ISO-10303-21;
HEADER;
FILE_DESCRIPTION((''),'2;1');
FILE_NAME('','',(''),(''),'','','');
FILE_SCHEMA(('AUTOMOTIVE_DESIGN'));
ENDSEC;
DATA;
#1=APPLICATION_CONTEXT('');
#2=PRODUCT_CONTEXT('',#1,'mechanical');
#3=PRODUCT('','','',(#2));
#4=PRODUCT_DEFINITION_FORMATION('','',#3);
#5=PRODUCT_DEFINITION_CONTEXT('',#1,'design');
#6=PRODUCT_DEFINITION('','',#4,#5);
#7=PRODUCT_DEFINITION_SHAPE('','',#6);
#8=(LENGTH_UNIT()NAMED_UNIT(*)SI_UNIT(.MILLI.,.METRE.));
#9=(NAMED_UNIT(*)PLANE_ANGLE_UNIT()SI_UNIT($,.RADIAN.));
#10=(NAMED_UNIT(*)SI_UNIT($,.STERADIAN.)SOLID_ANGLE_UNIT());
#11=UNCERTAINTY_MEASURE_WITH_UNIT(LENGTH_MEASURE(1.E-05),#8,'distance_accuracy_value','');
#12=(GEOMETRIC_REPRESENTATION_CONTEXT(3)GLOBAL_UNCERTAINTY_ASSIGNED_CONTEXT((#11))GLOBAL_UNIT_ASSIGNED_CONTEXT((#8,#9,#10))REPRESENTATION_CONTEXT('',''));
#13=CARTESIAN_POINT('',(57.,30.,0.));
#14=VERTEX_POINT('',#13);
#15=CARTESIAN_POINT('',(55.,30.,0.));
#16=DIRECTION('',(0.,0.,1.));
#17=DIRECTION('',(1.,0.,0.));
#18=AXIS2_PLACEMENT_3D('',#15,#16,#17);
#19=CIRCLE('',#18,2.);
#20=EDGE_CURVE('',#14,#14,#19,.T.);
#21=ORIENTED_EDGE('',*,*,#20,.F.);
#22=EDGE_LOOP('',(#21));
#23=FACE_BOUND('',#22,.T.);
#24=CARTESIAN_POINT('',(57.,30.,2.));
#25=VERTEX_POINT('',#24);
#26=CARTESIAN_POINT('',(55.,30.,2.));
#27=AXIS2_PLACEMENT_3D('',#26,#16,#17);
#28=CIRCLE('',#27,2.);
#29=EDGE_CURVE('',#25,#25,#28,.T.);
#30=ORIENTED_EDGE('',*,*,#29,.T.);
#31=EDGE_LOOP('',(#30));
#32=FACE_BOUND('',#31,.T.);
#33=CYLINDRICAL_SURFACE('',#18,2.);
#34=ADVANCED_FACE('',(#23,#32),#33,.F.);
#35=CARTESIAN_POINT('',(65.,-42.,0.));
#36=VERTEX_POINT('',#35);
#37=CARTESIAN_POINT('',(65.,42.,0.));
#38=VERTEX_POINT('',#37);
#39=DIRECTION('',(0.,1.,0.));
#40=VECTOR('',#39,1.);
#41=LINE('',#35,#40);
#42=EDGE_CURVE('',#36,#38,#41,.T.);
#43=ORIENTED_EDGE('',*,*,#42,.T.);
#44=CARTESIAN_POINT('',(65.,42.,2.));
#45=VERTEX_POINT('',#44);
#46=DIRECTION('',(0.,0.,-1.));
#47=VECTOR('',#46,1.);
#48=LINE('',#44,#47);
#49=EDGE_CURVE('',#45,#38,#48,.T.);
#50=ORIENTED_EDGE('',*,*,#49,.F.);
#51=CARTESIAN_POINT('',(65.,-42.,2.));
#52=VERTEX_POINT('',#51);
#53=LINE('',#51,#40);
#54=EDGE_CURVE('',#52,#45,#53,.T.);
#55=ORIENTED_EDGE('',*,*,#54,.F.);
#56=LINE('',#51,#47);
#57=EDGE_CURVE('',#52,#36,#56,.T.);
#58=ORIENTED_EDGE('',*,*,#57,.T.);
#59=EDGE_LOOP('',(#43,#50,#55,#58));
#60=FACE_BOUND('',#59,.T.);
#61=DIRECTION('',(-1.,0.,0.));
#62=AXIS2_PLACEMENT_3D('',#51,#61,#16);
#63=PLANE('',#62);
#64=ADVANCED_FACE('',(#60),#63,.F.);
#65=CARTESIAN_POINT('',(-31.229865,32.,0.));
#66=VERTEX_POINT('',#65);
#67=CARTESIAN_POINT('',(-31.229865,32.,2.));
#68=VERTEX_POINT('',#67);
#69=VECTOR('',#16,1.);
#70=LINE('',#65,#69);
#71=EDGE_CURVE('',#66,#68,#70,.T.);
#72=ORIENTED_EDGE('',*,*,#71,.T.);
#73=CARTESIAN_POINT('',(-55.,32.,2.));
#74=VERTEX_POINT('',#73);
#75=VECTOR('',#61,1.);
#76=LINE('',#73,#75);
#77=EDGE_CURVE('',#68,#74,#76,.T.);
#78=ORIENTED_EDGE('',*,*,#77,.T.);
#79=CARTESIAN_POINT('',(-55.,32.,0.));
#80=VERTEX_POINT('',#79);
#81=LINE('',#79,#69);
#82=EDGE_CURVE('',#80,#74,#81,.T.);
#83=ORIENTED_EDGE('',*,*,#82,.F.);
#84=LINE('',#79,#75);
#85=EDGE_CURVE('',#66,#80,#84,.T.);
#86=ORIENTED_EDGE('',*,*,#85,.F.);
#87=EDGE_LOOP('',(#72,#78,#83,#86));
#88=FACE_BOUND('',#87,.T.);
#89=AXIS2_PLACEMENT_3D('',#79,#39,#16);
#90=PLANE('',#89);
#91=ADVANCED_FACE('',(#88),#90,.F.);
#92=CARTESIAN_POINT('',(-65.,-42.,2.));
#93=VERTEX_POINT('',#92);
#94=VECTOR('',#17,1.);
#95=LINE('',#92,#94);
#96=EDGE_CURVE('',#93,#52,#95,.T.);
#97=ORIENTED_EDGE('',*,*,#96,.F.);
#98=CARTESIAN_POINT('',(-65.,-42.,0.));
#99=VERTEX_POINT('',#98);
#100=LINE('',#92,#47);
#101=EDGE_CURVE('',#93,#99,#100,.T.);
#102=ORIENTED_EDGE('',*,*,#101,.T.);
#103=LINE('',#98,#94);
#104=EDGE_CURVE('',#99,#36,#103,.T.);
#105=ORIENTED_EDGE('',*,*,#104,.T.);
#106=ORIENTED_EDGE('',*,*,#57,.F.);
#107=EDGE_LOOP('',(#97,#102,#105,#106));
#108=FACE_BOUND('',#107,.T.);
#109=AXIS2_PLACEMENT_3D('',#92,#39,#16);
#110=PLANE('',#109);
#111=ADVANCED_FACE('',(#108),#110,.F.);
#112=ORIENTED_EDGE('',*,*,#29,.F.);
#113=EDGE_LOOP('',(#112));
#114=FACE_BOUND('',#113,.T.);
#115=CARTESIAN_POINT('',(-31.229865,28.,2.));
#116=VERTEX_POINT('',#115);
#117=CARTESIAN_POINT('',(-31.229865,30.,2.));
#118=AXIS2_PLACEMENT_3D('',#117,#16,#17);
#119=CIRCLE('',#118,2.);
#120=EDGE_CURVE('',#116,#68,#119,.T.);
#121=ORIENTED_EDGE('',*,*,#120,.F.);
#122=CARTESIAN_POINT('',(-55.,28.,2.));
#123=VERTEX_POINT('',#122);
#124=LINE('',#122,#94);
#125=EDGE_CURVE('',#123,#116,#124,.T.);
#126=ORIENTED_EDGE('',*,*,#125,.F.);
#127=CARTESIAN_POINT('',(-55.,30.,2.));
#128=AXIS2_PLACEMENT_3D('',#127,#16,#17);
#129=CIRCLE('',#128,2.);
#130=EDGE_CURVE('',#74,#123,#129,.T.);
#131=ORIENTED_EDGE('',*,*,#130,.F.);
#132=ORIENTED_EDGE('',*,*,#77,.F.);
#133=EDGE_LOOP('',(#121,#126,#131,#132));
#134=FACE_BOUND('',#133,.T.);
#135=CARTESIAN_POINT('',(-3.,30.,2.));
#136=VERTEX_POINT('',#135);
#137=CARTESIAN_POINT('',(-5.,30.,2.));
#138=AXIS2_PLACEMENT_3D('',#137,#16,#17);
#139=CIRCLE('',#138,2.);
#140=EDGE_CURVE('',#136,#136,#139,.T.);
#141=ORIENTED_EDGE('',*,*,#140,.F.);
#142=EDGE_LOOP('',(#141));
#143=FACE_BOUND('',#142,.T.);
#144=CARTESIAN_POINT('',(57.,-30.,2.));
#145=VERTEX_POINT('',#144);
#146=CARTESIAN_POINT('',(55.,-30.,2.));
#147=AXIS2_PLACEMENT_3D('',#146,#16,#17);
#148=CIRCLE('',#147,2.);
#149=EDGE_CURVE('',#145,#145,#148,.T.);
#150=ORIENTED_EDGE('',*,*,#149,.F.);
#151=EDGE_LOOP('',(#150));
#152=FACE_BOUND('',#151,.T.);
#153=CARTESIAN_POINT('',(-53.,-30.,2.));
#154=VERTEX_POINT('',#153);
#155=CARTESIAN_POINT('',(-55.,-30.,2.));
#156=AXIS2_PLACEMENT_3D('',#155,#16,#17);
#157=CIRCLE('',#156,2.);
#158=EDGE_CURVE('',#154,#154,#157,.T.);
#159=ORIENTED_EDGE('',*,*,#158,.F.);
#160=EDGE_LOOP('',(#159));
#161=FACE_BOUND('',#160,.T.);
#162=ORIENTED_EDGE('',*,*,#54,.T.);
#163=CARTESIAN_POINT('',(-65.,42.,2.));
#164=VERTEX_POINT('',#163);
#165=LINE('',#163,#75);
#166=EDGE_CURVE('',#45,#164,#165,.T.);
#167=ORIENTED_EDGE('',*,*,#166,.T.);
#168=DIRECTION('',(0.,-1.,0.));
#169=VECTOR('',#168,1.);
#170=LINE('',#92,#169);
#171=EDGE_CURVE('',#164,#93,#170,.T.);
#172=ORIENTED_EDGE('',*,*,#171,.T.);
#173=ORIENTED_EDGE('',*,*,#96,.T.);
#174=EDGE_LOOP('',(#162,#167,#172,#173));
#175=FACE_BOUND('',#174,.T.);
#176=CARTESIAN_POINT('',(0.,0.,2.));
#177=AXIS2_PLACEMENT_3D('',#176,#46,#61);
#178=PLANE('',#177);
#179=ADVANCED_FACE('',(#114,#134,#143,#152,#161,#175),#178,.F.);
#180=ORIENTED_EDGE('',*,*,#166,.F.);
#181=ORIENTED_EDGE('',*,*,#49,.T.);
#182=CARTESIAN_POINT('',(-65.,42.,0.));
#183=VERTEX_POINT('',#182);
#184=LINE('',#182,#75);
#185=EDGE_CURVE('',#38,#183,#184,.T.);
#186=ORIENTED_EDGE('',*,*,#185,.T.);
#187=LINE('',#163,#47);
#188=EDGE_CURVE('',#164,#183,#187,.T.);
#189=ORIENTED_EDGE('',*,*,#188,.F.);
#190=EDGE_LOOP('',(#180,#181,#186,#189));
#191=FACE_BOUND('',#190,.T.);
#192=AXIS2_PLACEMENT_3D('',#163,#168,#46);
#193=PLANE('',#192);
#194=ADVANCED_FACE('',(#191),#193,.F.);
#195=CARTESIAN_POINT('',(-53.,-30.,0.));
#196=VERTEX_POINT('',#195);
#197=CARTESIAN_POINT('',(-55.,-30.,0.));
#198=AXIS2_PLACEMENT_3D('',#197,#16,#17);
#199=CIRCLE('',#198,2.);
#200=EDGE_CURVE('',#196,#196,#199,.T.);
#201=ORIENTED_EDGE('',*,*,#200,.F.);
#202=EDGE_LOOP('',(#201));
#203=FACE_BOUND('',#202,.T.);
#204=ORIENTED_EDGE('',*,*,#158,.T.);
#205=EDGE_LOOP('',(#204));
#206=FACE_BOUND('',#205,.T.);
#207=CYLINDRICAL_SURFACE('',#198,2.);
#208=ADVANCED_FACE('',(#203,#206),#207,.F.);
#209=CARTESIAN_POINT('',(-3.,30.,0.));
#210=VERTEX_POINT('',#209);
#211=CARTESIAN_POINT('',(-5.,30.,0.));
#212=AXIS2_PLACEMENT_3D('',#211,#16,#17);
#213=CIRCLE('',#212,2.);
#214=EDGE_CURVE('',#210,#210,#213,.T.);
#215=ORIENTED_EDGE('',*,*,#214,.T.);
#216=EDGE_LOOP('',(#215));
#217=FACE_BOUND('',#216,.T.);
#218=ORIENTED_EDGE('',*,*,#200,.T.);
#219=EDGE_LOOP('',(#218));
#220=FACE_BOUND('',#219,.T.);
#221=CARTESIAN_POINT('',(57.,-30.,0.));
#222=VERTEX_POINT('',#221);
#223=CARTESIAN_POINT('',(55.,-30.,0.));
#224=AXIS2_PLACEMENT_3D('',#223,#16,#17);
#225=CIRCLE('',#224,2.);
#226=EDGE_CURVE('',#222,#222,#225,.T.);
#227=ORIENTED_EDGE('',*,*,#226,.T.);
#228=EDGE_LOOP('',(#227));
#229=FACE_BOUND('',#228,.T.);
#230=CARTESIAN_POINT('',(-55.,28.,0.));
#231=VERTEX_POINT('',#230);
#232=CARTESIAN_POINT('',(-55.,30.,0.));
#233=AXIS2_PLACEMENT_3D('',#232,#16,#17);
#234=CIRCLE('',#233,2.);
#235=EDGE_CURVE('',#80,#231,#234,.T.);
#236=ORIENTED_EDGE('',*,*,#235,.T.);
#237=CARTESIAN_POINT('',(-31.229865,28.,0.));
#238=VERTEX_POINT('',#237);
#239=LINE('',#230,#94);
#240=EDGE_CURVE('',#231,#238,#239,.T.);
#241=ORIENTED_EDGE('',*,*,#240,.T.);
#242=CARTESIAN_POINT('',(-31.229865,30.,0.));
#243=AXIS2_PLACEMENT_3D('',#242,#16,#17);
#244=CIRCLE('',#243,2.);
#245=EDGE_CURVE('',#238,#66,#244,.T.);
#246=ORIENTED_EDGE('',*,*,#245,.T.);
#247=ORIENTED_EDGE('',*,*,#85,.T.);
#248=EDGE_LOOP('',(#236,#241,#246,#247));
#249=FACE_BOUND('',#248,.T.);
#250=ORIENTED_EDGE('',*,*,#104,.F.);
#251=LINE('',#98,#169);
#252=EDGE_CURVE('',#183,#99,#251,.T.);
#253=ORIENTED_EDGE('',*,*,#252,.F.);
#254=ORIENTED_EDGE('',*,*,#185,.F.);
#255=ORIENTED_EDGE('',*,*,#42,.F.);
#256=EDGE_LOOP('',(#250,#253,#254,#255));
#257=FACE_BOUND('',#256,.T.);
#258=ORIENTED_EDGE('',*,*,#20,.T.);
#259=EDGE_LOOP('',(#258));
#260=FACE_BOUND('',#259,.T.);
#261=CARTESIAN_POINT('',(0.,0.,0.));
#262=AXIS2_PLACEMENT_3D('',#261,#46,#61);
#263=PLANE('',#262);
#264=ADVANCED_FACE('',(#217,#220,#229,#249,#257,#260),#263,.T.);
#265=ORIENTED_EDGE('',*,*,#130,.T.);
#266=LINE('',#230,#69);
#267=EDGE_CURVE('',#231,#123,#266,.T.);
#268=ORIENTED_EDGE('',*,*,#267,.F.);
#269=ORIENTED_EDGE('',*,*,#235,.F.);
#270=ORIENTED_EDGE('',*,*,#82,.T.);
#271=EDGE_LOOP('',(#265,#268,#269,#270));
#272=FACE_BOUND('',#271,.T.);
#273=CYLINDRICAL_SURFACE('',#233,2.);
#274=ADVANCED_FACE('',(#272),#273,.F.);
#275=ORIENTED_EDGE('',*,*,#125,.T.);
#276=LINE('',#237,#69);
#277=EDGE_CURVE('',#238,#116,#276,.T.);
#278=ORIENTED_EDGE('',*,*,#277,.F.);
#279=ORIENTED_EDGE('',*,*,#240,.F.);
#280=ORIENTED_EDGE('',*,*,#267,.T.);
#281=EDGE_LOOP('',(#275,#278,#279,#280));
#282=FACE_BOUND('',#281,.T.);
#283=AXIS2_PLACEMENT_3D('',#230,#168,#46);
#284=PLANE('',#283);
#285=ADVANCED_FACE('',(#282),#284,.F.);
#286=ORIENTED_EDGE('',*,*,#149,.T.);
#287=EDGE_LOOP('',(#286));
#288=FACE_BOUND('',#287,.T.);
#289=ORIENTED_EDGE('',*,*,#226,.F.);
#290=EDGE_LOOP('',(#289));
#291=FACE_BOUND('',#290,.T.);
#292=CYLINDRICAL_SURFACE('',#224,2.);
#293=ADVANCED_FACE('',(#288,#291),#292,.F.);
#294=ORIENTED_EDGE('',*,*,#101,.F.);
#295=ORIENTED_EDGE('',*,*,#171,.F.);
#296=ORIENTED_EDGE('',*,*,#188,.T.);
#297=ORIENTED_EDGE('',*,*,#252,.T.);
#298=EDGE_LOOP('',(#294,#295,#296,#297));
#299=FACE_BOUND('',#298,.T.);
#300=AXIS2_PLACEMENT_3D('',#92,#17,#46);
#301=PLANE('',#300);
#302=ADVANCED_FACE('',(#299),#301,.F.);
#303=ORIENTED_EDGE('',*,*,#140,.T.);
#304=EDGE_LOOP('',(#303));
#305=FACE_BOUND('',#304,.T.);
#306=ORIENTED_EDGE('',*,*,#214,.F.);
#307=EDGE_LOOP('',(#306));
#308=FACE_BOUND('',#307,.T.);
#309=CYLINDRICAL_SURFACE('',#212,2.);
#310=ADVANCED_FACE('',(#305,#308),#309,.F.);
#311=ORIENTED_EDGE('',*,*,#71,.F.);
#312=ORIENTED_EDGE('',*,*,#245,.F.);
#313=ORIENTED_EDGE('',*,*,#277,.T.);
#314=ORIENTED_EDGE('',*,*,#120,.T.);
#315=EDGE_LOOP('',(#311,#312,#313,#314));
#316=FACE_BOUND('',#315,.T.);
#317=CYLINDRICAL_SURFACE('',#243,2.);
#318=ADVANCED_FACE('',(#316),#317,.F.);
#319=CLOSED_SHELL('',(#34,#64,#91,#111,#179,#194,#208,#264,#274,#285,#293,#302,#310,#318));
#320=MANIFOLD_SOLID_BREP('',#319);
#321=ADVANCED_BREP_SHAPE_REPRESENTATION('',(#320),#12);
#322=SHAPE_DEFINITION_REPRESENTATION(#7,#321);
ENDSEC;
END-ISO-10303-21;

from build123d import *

# Parameters (mm, degrees)
SKETCH1_W           = 130
SKETCH1_H           = 84
BOSS_EXTRUDE1_DEPTH = 2
SKETCH2_R           = 2
CUT_EXTRUDE1_DEPTH  = 2
CUT_EXTRUDE2_DEPTH  = 2


with BuildPart() as part:
    # Sketch1 → Boss-Extrude1 (new body)
    with BuildSketch(Plane.XY):
        Rectangle(SKETCH1_W, SKETCH1_H)
    extrude(amount=BOSS_EXTRUDE1_DEPTH)

    # Sketch2 → Cut-Extrude1 (cut)
    with BuildSketch(Plane.XY.offset(2)):
        with Locations((55, -30)):
            Circle(SKETCH2_R)
        with Locations((-55, -30)):
            Circle(SKETCH2_R)
        with Locations((55, 30)):
            Circle(SKETCH2_R)
        with Locations((-5, 30)):
            Circle(SKETCH2_R)
    extrude(amount=-CUT_EXTRUDE1_DEPTH, mode=Mode.SUBTRACT)

    # Sketch3 → Cut-Extrude2 (cut)
    with BuildSketch(Plane.XY.offset(2)):
        with BuildLine():
            Line((-55, 32), (-31.229864945, 32))
            ThreePointArc((-31.229864945, 32), (-29.229864945, 30), (-31.229864945, 28))
            Line((-31.229864945, 28), (-55, 28))
            ThreePointArc((-55, 28), (-57, 30), (-55, 32))
        make_face()
    extrude(amount=-CUT_EXTRUDE2_DEPTH, mode=Mode.SUBTRACT)


solid = part.part
